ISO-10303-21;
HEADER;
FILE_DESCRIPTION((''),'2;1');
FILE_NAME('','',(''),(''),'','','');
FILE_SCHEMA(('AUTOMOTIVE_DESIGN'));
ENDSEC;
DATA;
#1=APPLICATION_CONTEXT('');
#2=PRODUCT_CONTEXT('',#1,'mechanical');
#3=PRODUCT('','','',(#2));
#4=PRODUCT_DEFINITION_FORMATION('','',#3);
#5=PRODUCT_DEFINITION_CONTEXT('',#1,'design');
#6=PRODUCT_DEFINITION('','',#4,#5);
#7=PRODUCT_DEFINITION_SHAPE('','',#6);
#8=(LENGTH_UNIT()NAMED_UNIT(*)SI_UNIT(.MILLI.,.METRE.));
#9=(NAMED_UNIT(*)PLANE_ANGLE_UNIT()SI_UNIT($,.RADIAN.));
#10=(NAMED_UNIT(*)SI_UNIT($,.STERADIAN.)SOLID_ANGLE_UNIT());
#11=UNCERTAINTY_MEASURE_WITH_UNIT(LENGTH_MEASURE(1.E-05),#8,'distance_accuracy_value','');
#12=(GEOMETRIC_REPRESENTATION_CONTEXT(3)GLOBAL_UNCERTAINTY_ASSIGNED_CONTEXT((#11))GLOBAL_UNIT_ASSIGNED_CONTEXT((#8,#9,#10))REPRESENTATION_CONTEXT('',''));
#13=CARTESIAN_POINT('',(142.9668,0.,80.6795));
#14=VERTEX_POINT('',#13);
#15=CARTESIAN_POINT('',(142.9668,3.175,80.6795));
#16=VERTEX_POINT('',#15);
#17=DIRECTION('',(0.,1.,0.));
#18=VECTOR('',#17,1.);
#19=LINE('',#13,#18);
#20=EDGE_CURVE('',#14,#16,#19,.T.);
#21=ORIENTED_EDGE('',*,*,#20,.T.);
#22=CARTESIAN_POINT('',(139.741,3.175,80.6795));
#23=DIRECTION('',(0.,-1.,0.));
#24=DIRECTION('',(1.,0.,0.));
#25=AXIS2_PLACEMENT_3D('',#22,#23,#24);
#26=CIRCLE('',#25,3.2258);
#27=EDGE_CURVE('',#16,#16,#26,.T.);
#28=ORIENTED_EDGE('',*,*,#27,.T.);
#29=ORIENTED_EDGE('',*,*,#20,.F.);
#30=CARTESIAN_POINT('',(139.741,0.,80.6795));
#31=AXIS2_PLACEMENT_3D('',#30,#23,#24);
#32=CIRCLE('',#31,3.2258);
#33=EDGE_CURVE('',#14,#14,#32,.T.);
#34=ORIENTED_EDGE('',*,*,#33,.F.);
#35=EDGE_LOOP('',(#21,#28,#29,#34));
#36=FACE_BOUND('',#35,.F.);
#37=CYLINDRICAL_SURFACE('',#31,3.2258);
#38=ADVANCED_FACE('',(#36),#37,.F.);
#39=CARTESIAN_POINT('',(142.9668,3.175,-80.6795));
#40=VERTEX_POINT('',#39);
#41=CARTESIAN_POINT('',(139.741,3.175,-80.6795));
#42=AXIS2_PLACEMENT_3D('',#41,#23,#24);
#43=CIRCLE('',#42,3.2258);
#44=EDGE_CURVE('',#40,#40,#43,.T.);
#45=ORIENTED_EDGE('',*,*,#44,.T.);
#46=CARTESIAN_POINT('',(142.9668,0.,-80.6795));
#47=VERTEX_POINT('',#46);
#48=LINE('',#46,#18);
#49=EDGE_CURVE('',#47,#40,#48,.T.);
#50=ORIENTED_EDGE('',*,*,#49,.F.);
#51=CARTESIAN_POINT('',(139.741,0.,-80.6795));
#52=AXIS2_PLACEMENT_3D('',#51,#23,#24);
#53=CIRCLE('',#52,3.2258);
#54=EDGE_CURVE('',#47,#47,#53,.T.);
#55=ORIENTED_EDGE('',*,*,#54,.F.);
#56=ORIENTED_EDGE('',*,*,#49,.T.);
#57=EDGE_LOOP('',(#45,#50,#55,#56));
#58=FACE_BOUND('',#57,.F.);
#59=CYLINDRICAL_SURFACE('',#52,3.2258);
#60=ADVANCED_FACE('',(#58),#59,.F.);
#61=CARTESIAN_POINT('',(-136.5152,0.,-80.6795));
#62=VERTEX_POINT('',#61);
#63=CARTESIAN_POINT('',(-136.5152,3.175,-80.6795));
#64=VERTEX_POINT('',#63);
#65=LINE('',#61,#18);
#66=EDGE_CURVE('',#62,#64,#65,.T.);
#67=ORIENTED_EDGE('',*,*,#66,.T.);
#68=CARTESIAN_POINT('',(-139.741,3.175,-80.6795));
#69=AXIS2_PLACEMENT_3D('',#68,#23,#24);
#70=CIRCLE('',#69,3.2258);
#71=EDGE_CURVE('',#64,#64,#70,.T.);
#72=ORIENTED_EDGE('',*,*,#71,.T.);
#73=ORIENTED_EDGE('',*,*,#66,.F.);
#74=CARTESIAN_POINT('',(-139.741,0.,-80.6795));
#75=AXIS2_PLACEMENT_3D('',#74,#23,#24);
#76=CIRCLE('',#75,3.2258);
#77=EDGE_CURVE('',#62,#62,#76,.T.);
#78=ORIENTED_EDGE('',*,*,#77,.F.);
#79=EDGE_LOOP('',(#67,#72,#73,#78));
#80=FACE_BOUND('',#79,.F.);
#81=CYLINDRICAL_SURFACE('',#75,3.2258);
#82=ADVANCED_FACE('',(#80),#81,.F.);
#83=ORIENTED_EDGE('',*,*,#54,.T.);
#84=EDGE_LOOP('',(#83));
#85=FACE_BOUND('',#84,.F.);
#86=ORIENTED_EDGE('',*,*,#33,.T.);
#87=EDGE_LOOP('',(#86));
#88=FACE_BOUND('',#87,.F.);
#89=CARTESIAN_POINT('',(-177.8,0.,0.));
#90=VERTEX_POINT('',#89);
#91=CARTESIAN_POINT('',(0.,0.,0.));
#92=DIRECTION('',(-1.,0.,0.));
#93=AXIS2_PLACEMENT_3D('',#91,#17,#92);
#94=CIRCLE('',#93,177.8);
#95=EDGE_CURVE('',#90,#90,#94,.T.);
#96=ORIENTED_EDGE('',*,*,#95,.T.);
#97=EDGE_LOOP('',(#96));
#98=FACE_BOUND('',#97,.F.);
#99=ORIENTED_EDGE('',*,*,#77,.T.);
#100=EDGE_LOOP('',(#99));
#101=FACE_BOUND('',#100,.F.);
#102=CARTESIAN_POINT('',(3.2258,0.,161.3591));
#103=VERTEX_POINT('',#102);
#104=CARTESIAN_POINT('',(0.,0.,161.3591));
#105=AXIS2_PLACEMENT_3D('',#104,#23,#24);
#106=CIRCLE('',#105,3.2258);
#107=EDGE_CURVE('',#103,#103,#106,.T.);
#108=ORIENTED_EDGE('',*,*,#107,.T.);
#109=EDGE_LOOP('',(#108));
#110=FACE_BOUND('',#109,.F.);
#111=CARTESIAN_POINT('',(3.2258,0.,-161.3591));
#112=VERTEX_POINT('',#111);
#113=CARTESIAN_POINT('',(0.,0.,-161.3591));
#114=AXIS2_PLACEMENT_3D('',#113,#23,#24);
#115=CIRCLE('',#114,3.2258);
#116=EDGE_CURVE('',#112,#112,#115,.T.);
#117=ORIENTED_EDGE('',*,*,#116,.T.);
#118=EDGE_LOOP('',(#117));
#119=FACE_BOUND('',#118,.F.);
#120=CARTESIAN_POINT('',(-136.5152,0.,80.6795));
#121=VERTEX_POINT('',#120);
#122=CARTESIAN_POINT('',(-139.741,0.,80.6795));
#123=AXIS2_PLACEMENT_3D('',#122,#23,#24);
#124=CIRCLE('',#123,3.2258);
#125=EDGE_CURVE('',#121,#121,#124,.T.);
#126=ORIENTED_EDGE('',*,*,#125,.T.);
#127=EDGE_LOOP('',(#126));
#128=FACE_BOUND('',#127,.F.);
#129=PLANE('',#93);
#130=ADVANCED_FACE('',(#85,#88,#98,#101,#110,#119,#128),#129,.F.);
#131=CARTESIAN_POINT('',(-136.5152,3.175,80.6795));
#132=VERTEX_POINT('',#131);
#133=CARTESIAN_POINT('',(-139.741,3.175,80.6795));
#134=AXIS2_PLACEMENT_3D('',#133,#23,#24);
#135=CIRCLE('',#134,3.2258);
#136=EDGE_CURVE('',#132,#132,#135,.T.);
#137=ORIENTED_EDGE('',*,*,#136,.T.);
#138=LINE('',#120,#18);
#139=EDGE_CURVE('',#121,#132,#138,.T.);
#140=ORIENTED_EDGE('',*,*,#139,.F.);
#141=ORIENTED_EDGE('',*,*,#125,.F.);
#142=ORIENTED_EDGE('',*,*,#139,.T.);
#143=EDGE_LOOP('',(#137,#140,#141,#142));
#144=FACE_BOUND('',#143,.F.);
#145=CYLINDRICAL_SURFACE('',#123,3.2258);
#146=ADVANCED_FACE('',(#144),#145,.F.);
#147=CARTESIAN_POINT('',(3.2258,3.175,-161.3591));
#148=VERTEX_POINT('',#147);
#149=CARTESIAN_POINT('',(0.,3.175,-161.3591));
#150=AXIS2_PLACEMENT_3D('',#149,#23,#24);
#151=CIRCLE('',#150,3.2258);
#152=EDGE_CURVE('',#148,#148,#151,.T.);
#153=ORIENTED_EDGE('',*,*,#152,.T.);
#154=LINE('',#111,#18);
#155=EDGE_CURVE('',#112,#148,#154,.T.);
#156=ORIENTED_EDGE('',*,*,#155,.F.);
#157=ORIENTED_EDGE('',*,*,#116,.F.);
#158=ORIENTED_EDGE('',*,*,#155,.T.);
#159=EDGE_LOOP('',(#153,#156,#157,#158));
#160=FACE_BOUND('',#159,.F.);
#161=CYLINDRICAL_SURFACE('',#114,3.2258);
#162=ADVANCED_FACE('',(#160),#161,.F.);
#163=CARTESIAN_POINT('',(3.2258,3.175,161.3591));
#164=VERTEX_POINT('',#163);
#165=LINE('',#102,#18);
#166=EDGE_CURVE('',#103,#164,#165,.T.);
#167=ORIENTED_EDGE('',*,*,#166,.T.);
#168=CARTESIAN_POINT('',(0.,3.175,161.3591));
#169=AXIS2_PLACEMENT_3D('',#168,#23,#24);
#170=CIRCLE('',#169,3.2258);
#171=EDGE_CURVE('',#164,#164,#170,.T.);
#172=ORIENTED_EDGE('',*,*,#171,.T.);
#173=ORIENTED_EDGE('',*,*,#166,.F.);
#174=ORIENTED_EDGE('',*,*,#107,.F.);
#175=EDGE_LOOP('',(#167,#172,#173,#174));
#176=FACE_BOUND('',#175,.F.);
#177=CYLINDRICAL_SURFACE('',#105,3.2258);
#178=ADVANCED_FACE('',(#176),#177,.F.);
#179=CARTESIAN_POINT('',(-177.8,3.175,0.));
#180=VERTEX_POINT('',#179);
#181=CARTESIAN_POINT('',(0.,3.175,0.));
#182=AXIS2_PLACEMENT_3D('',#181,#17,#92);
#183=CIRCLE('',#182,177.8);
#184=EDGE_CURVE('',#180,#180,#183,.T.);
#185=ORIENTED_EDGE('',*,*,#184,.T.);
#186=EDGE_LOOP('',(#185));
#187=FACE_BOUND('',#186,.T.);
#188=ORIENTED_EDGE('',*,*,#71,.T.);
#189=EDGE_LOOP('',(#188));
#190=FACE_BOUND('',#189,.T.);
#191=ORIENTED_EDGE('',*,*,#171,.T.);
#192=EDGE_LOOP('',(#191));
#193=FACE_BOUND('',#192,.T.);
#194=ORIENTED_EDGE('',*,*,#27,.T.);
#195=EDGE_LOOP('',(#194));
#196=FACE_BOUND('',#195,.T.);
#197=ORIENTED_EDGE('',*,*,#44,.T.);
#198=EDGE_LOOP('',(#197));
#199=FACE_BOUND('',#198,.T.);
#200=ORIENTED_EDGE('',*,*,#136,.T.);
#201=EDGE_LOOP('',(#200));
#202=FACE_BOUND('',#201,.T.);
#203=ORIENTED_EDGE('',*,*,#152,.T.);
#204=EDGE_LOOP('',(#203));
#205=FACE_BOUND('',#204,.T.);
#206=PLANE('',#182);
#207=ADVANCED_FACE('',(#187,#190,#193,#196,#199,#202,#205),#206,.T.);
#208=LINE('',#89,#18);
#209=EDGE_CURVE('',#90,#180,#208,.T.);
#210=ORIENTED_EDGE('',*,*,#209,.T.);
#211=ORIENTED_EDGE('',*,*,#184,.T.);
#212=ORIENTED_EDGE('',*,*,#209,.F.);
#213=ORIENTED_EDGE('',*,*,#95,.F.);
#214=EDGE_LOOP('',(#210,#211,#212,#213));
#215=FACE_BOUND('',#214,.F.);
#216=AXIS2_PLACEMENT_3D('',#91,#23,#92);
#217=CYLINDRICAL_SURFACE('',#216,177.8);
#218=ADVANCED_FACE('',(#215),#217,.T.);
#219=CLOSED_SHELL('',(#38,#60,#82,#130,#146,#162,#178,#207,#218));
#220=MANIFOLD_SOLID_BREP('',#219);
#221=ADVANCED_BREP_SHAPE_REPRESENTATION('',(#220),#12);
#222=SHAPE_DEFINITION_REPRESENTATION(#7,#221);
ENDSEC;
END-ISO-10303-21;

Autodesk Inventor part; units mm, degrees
ref_plane "YZ Plane" through (0, 0, 0) normal (1, 0, 0) x (0, 1, 0)
ref_plane "XZ Plane" through (0, 0, 0) normal (0, 1, 0) x (-1, 0, 0)
ref_plane "XY Plane" through (0, 0, 0) normal (0, 0, 1) x (1, 0, 0)
sketch "Sketch1" plane through (0, 0, 0) normal (0, 1, 0) x (-1, 0, 0)
  circle A0 centre (0, 0) radius 177.8
  dimension "d0" = 355.6
extrude "Extrusion1" add sketch "Sketch1" along normal blind 3.175
sketch "Sketch2" plane through (0, 0, 0) normal (0, -1, 0) x (1, 0, 0)
  circle A0 centre (139.741, -80.6795) radius 3.2258 projected
  circle A1 centre (139.741, 80.6795) radius 3.2258 projected
  circle A2 centre (0, 161.3591) radius 3.2258 projected
  circle A3 centre (-139.741, 80.6795) radius 3.2258 projected
  circle A4 centre (-139.741, -80.6795) radius 3.2258 projected
  circle A5 centre (0, -161.3591) radius 3.2258 projected
  point P0 (0, 0)
extrude "Extrusion2" cut sketch "Sketch2" against normal through all
properties part number "Gear and Barrel Connector"
